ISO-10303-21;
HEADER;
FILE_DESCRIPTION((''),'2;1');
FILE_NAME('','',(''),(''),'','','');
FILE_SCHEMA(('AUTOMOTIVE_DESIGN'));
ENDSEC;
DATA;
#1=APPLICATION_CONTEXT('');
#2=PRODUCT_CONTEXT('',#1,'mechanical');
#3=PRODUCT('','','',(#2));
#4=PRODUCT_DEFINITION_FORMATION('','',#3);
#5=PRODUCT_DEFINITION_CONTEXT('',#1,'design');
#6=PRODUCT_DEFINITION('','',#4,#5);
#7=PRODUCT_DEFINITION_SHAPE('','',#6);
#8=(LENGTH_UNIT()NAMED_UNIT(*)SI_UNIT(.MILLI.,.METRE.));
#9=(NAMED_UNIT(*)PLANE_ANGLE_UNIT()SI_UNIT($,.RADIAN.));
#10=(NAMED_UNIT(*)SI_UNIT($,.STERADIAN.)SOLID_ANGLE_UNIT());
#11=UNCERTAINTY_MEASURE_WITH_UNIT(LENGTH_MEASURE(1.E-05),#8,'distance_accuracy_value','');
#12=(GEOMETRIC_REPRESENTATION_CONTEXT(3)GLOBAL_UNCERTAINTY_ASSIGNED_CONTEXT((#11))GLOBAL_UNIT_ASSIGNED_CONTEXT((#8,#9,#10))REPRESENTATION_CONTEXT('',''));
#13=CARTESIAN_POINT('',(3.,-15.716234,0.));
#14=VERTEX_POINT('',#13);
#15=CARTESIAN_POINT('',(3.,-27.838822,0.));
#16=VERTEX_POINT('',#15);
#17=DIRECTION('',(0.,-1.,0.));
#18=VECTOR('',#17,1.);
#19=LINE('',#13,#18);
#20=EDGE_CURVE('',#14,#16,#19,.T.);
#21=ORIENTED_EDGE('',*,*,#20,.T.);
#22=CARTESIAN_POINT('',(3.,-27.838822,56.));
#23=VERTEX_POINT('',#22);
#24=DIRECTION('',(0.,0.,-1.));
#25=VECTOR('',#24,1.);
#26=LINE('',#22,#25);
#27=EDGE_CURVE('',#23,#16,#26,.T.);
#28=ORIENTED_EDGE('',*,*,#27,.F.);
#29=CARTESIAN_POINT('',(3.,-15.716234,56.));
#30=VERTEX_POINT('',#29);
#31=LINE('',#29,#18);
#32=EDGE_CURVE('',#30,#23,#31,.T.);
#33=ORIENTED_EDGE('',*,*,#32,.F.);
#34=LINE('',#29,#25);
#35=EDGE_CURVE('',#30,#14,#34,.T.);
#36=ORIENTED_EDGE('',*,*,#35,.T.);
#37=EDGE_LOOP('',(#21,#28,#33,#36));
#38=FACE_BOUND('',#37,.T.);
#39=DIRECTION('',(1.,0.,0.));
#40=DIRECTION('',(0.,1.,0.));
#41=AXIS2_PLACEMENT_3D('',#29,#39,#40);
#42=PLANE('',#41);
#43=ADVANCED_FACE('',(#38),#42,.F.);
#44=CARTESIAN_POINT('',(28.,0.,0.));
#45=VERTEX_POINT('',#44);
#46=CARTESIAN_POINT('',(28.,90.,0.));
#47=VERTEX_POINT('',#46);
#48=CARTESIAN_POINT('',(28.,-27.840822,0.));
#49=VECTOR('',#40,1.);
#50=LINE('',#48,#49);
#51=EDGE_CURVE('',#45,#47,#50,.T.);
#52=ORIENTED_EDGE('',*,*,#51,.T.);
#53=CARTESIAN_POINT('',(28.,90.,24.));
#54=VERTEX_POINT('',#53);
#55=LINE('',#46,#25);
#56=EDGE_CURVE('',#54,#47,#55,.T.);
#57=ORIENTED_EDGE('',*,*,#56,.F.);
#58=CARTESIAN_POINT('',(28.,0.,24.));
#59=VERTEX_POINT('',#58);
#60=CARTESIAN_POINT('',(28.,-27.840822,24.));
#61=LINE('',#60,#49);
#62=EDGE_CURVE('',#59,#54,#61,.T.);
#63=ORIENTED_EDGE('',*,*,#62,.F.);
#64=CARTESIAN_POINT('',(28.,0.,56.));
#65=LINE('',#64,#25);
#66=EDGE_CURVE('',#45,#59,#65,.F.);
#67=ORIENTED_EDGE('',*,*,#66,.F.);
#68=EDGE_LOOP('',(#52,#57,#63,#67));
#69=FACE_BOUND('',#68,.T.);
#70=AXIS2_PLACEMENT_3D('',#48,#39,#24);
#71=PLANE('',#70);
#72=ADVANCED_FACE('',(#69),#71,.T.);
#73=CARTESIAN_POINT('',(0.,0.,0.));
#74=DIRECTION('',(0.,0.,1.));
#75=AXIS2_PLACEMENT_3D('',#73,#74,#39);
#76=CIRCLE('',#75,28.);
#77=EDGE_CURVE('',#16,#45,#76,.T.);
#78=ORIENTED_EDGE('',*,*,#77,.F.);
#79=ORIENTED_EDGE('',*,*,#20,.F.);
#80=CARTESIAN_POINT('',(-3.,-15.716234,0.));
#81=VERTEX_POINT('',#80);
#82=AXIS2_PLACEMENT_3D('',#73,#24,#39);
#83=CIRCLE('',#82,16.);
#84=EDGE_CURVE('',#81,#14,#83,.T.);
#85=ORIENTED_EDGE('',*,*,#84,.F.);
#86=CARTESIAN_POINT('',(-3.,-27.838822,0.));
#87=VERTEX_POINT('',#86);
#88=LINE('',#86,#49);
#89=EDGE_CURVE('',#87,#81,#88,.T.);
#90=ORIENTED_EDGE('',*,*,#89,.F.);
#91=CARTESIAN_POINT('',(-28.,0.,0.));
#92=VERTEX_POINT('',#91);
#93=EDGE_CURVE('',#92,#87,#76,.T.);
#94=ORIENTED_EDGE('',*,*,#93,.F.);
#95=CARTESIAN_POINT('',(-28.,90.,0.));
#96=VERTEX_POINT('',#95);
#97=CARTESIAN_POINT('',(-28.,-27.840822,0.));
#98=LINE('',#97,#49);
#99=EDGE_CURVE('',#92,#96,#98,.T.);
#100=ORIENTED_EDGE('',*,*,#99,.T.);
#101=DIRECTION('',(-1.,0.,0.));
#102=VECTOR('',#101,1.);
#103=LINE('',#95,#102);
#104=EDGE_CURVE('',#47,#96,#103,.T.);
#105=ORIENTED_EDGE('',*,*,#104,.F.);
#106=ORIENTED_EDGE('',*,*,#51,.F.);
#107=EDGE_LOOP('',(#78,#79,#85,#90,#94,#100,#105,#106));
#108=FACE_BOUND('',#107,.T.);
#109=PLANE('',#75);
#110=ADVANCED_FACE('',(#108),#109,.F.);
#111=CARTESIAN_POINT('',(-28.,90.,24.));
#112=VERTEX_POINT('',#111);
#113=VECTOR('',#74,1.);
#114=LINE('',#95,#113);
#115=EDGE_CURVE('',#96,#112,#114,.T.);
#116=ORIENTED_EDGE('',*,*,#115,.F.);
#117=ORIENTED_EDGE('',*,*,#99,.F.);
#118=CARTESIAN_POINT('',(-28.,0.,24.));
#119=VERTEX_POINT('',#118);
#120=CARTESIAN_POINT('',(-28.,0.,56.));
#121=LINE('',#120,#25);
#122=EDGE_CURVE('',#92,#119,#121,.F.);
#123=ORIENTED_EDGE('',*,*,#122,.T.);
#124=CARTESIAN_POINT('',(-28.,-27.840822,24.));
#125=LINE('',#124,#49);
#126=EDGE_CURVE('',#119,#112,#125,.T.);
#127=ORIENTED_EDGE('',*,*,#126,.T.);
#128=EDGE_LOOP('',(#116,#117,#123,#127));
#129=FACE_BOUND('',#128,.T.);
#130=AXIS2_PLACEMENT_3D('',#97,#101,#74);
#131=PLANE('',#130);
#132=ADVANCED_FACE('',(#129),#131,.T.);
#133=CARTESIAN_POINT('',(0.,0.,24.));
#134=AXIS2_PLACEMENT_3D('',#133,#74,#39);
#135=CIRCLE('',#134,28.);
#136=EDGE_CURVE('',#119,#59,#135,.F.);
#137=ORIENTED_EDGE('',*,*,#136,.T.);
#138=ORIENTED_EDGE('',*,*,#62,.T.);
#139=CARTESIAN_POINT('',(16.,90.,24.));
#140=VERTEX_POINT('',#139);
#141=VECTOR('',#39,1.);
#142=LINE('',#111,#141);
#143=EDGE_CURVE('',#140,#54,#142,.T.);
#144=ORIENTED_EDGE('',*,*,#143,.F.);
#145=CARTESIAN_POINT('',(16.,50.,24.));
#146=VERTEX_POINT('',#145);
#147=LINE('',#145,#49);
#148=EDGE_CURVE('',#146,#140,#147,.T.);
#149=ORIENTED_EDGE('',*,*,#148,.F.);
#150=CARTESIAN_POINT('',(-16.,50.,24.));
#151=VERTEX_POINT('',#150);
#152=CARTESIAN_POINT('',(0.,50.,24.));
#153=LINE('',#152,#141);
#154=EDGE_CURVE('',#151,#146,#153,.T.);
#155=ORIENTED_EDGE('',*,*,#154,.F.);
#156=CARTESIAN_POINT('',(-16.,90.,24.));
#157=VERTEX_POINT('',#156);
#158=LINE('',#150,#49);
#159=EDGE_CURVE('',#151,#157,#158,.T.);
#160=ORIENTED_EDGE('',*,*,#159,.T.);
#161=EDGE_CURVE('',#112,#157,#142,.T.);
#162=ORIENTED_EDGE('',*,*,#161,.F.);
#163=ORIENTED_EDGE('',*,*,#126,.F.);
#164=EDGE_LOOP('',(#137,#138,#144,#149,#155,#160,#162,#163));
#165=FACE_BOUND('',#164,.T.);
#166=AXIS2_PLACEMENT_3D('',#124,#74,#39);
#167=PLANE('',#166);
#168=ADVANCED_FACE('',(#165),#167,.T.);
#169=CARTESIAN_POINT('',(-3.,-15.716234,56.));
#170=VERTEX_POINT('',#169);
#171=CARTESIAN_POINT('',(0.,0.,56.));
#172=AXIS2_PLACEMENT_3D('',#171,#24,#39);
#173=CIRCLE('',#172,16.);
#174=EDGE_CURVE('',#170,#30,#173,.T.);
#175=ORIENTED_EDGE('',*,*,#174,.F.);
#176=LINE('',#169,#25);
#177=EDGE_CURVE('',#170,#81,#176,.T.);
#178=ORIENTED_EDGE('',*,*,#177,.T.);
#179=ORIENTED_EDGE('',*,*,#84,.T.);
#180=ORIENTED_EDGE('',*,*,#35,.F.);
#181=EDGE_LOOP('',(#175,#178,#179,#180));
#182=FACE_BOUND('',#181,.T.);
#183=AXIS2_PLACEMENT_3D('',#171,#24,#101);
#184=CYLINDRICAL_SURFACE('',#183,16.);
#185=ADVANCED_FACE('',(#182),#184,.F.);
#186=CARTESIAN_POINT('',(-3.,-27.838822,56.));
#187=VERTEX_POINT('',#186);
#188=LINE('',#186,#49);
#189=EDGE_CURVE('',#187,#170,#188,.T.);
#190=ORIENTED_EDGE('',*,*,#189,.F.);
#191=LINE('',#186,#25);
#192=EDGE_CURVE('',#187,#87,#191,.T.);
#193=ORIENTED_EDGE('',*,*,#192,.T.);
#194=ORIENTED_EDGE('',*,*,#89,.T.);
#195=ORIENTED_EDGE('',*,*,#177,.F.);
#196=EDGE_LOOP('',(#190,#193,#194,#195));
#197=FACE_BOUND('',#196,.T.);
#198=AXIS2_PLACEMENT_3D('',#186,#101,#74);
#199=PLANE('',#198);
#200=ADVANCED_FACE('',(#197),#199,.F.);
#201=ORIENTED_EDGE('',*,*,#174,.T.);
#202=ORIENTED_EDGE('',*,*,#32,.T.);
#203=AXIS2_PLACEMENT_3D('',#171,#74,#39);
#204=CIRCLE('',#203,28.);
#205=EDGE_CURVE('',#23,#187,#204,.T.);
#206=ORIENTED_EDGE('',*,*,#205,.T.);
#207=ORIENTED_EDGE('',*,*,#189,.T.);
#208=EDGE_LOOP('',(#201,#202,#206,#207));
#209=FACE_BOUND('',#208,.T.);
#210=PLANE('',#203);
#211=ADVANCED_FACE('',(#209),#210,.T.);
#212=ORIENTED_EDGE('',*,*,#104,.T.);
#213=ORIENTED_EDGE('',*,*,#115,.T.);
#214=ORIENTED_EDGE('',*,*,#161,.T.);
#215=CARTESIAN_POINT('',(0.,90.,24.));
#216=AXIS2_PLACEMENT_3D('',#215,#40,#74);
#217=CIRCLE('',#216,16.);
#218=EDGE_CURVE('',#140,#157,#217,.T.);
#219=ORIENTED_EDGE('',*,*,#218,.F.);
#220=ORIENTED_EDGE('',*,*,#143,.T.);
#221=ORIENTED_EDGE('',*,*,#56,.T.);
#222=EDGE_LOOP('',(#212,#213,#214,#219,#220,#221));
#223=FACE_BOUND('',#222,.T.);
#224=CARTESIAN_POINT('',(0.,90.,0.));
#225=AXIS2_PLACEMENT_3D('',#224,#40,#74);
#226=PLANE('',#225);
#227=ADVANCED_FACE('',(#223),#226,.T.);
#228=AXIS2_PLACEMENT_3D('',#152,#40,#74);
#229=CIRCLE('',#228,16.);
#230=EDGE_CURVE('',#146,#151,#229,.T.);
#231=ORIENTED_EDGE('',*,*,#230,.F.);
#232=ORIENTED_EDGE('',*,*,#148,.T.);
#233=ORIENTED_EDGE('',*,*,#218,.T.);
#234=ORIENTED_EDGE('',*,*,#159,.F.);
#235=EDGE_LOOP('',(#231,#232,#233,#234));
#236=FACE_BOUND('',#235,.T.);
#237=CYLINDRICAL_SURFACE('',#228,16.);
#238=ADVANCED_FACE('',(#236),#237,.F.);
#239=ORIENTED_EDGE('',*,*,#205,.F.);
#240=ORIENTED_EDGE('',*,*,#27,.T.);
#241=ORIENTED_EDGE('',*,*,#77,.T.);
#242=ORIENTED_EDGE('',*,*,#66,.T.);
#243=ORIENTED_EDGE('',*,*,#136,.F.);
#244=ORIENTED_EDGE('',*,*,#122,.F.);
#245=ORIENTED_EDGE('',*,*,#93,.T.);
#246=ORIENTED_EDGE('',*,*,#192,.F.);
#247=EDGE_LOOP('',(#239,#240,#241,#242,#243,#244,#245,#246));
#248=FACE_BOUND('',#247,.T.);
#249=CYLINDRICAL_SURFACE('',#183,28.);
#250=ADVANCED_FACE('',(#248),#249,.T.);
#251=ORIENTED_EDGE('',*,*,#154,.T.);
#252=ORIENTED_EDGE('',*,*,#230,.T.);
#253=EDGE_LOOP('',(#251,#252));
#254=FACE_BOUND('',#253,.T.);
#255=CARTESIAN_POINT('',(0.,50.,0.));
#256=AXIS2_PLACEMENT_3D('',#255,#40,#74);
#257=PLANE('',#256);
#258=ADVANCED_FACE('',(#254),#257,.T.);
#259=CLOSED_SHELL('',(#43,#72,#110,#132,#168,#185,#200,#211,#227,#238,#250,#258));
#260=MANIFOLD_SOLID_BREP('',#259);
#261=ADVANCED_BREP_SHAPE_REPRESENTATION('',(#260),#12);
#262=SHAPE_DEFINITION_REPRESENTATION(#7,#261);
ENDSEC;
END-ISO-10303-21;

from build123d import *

# Parameters (mm, degrees)
BOSS_EXTRUDE1_DEPTH      = 56
BOSS_EXTRUDE2_REACH      = 135.439
BOSS_EXTRUDE2_END_RADIUS = 28
SKETCH2_W                = 56
SKETCH2_H                = 24
CUT_EXTRUDE1_DEPTH       = 40


with BuildPart() as part:
    # Sketch1 → Boss-Extrude1 (new body)
    with BuildSketch(Plane.XY):
        with BuildLine():
            Line((-3, -27.838821814), (-3, -15.716233646))
            ThreePointArc((-3, -15.716233646), (0, 16), (3, -15.716233646))
            Line((3, -15.716233646), (3, -27.838821814))
            ThreePointArc((3, -27.838821814), (0, 28), (-3, -27.838821814))
        make_face()
    extrude(amount=BOSS_EXTRUDE1_DEPTH)

    # Boss-Extrude2: up to this cylinder (the profile starts outside it)
    boss_extrude2_end = Plane(origin=(0, 0, 12), z_dir=(0, 0, -1)) * Cylinder(BOSS_EXTRUDE2_END_RADIUS, 327.878, mode=Mode.PRIVATE)
    # Sketch2 → Boss-Extrude2 (add, up to the surface)
    with BuildSketch(Plane(origin=(0, 90, 0), x_dir=(1, 0, 0), z_dir=(0, 1, 0)), mode=Mode.PRIVATE) as boss_extrude2_sk1:
        with Locations((0, -12)):
            Rectangle(SKETCH2_W, SKETCH2_H)
    boss_extrude2_tool1 = extrude(boss_extrude2_sk1.sketch, amount=-BOSS_EXTRUDE2_REACH, mode=Mode.PRIVATE) - boss_extrude2_end
    add(boss_extrude2_tool1.solids().sort_by_distance((0, 90, 12))[0])

    # Sketch3 → Cut-Extrude1 (cut)
    with BuildSketch(Plane(origin=(0, 90, 0), x_dir=(1, 0, 0), z_dir=(0, 1, 0))):
        with BuildLine():
            ThreePointArc((16, -24), (0, -8), (-16, -24))
            Line((-16, -24), (16, -24))
        make_face()
        with BuildLine():
            Line((16, -24), (-16, -24))
            ThreePointArc((-16, -24), (0, -40), (16, -24))
        make_face()
    extrude(amount=-CUT_EXTRUDE1_DEPTH, mode=Mode.SUBTRACT)


solid = part.part
